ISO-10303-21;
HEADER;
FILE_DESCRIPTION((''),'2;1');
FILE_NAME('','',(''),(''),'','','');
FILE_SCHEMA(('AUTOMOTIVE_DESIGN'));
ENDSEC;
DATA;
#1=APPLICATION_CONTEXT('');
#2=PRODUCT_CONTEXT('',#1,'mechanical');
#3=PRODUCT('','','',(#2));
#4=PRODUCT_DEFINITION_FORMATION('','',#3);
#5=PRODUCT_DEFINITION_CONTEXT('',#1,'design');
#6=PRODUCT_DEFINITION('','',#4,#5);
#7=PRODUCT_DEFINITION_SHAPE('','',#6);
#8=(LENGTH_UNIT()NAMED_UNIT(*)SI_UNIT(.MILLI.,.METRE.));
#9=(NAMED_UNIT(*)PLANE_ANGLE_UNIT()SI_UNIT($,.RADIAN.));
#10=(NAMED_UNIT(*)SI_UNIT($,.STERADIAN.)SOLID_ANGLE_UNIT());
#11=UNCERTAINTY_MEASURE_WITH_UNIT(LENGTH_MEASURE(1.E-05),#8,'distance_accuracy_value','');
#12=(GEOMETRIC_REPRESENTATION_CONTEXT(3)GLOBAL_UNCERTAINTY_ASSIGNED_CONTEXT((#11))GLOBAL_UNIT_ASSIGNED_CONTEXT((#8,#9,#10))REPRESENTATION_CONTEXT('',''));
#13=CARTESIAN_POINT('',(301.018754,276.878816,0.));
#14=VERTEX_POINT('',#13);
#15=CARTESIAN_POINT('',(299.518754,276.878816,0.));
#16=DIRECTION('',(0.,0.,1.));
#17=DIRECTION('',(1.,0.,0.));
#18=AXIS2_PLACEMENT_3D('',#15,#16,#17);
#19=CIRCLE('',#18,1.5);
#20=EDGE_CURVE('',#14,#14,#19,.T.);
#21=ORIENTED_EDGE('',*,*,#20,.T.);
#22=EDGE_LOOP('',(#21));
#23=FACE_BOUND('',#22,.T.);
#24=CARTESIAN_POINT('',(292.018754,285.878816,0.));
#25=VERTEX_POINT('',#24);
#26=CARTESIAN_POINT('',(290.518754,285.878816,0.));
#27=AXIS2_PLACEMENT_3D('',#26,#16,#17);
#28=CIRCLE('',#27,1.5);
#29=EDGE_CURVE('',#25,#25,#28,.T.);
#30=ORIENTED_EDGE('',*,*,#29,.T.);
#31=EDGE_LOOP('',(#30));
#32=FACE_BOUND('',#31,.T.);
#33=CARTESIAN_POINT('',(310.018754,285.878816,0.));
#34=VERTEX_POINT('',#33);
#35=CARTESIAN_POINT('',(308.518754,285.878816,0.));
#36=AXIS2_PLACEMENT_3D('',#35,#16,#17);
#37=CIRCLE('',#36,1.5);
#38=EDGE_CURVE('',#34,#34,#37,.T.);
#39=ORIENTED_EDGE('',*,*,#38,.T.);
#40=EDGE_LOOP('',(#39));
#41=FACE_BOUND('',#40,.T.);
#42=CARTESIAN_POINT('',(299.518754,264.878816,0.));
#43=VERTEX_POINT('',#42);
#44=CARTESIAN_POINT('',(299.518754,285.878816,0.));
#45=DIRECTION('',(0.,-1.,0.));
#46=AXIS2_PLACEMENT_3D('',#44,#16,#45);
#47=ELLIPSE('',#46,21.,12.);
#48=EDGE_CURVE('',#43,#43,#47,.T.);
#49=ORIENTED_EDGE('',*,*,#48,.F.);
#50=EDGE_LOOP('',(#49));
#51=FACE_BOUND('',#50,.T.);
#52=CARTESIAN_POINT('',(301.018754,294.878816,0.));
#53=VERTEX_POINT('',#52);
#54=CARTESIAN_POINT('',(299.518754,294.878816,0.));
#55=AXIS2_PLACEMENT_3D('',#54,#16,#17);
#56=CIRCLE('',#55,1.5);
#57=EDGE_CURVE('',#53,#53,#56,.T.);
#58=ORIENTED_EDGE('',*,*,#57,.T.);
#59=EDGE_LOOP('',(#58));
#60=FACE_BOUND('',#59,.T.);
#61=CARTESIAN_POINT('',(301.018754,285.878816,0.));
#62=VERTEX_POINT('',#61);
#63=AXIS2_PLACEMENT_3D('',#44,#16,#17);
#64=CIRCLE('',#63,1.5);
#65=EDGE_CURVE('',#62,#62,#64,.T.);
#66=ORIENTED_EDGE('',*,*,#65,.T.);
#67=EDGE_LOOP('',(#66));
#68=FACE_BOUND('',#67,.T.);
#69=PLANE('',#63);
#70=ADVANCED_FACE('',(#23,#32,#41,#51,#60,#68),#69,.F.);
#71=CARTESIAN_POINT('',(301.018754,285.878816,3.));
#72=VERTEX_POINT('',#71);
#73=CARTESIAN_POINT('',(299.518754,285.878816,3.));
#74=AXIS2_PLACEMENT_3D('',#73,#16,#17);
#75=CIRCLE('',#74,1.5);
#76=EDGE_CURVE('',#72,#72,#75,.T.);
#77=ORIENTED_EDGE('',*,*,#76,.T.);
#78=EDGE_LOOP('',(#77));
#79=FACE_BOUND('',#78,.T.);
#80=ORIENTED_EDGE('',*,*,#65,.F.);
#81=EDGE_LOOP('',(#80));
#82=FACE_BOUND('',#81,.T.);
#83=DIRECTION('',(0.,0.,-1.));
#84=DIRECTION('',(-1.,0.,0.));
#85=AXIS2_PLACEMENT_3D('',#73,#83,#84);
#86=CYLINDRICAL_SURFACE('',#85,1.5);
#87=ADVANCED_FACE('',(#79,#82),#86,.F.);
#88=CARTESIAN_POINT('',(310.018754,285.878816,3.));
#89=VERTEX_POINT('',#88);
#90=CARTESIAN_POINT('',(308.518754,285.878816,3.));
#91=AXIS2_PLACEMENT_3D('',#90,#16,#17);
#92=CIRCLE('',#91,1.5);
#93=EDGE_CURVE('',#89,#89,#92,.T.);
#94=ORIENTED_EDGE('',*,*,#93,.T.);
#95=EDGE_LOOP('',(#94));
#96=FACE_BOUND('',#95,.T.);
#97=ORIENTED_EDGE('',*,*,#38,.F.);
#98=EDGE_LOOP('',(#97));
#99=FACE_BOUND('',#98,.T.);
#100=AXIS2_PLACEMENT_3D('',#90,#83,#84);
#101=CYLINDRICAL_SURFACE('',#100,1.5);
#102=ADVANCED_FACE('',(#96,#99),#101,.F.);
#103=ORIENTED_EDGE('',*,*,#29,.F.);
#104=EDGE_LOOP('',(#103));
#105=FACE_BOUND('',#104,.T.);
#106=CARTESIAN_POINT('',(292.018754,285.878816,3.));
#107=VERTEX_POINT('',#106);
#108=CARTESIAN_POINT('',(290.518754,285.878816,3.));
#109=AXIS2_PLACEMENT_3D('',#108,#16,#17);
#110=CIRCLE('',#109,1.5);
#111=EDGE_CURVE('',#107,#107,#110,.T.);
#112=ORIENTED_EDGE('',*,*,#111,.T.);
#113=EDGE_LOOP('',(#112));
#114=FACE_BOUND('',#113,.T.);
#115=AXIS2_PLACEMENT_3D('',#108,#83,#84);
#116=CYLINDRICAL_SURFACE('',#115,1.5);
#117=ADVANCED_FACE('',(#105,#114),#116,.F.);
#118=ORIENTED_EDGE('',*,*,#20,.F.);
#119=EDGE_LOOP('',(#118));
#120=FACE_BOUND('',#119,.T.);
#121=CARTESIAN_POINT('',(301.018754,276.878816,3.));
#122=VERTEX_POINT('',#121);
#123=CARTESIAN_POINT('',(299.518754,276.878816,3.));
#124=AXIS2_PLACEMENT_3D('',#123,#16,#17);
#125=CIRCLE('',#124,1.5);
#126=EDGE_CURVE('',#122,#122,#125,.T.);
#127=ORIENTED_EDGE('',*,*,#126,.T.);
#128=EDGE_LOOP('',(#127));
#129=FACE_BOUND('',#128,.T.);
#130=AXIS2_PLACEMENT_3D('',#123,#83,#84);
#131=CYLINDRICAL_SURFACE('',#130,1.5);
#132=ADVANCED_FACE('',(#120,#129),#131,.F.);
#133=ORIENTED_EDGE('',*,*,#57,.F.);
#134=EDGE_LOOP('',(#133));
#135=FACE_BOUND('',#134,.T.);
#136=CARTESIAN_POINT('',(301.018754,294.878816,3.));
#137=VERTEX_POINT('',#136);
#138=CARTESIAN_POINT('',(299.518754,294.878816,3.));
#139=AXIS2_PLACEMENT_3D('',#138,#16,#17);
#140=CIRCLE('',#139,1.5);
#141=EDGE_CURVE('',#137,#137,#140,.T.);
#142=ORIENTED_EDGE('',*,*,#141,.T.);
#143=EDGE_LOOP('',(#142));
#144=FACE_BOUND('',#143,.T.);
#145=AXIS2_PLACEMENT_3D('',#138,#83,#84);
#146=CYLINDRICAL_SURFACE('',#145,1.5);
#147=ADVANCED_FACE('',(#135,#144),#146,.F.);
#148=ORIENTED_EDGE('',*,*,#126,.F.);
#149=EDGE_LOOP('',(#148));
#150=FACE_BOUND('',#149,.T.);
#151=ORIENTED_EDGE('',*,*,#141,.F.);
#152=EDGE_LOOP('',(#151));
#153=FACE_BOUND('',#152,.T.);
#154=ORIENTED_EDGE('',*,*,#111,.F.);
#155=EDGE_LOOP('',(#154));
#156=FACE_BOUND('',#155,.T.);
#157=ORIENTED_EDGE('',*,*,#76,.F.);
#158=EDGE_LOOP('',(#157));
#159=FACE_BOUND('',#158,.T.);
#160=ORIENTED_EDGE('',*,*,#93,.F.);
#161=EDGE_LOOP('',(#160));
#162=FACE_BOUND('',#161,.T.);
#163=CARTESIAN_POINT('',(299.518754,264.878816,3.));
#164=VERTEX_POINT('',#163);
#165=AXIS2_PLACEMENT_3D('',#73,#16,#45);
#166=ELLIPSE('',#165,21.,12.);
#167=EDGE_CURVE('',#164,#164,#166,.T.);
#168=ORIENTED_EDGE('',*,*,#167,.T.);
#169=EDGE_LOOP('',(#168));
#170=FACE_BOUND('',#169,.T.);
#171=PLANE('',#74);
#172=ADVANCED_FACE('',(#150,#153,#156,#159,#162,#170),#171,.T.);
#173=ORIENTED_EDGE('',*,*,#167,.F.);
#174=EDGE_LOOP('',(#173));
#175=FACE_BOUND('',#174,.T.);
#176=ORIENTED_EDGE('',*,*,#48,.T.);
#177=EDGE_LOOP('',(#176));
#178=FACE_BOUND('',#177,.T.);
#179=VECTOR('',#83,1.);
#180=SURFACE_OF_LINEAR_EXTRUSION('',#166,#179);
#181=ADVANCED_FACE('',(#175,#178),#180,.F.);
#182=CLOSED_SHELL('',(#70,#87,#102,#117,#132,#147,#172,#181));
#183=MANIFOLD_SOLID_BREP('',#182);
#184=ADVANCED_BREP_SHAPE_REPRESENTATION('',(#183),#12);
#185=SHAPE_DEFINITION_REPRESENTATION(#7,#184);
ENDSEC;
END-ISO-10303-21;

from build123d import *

# Parameters (mm, degrees)
MODEL_RX                = 21
MODEL_RY                = 11.999999999
MODEL_R                 = 1.5
SALIENTE_EXTRUIR1_DEPTH = 3


with BuildPart() as part:
    # Model → Saliente-Extruir1 (new body)
    with BuildSketch(Plane.XY):
        with Locations(Location((299.518754002, 285.878815596), (0, 0, -90))):
            Ellipse(MODEL_RX, MODEL_RY)
        with Locations((299.518754002, 276.878815596)):
            Circle(MODEL_R, mode=Mode.SUBTRACT)
        with Locations((299.518754002, 294.878815596)):
            Circle(MODEL_R, mode=Mode.SUBTRACT)
        with Locations((308.518754003, 285.878815596)):
            Circle(MODEL_R, mode=Mode.SUBTRACT)
        with Locations((290.518754002, 285.878815596)):
            Circle(MODEL_R, mode=Mode.SUBTRACT)
        with Locations((299.518754002, 285.878815596)):
            Circle(MODEL_R, mode=Mode.SUBTRACT)
    extrude(amount=SALIENTE_EXTRUIR1_DEPTH)


solid = part.part
